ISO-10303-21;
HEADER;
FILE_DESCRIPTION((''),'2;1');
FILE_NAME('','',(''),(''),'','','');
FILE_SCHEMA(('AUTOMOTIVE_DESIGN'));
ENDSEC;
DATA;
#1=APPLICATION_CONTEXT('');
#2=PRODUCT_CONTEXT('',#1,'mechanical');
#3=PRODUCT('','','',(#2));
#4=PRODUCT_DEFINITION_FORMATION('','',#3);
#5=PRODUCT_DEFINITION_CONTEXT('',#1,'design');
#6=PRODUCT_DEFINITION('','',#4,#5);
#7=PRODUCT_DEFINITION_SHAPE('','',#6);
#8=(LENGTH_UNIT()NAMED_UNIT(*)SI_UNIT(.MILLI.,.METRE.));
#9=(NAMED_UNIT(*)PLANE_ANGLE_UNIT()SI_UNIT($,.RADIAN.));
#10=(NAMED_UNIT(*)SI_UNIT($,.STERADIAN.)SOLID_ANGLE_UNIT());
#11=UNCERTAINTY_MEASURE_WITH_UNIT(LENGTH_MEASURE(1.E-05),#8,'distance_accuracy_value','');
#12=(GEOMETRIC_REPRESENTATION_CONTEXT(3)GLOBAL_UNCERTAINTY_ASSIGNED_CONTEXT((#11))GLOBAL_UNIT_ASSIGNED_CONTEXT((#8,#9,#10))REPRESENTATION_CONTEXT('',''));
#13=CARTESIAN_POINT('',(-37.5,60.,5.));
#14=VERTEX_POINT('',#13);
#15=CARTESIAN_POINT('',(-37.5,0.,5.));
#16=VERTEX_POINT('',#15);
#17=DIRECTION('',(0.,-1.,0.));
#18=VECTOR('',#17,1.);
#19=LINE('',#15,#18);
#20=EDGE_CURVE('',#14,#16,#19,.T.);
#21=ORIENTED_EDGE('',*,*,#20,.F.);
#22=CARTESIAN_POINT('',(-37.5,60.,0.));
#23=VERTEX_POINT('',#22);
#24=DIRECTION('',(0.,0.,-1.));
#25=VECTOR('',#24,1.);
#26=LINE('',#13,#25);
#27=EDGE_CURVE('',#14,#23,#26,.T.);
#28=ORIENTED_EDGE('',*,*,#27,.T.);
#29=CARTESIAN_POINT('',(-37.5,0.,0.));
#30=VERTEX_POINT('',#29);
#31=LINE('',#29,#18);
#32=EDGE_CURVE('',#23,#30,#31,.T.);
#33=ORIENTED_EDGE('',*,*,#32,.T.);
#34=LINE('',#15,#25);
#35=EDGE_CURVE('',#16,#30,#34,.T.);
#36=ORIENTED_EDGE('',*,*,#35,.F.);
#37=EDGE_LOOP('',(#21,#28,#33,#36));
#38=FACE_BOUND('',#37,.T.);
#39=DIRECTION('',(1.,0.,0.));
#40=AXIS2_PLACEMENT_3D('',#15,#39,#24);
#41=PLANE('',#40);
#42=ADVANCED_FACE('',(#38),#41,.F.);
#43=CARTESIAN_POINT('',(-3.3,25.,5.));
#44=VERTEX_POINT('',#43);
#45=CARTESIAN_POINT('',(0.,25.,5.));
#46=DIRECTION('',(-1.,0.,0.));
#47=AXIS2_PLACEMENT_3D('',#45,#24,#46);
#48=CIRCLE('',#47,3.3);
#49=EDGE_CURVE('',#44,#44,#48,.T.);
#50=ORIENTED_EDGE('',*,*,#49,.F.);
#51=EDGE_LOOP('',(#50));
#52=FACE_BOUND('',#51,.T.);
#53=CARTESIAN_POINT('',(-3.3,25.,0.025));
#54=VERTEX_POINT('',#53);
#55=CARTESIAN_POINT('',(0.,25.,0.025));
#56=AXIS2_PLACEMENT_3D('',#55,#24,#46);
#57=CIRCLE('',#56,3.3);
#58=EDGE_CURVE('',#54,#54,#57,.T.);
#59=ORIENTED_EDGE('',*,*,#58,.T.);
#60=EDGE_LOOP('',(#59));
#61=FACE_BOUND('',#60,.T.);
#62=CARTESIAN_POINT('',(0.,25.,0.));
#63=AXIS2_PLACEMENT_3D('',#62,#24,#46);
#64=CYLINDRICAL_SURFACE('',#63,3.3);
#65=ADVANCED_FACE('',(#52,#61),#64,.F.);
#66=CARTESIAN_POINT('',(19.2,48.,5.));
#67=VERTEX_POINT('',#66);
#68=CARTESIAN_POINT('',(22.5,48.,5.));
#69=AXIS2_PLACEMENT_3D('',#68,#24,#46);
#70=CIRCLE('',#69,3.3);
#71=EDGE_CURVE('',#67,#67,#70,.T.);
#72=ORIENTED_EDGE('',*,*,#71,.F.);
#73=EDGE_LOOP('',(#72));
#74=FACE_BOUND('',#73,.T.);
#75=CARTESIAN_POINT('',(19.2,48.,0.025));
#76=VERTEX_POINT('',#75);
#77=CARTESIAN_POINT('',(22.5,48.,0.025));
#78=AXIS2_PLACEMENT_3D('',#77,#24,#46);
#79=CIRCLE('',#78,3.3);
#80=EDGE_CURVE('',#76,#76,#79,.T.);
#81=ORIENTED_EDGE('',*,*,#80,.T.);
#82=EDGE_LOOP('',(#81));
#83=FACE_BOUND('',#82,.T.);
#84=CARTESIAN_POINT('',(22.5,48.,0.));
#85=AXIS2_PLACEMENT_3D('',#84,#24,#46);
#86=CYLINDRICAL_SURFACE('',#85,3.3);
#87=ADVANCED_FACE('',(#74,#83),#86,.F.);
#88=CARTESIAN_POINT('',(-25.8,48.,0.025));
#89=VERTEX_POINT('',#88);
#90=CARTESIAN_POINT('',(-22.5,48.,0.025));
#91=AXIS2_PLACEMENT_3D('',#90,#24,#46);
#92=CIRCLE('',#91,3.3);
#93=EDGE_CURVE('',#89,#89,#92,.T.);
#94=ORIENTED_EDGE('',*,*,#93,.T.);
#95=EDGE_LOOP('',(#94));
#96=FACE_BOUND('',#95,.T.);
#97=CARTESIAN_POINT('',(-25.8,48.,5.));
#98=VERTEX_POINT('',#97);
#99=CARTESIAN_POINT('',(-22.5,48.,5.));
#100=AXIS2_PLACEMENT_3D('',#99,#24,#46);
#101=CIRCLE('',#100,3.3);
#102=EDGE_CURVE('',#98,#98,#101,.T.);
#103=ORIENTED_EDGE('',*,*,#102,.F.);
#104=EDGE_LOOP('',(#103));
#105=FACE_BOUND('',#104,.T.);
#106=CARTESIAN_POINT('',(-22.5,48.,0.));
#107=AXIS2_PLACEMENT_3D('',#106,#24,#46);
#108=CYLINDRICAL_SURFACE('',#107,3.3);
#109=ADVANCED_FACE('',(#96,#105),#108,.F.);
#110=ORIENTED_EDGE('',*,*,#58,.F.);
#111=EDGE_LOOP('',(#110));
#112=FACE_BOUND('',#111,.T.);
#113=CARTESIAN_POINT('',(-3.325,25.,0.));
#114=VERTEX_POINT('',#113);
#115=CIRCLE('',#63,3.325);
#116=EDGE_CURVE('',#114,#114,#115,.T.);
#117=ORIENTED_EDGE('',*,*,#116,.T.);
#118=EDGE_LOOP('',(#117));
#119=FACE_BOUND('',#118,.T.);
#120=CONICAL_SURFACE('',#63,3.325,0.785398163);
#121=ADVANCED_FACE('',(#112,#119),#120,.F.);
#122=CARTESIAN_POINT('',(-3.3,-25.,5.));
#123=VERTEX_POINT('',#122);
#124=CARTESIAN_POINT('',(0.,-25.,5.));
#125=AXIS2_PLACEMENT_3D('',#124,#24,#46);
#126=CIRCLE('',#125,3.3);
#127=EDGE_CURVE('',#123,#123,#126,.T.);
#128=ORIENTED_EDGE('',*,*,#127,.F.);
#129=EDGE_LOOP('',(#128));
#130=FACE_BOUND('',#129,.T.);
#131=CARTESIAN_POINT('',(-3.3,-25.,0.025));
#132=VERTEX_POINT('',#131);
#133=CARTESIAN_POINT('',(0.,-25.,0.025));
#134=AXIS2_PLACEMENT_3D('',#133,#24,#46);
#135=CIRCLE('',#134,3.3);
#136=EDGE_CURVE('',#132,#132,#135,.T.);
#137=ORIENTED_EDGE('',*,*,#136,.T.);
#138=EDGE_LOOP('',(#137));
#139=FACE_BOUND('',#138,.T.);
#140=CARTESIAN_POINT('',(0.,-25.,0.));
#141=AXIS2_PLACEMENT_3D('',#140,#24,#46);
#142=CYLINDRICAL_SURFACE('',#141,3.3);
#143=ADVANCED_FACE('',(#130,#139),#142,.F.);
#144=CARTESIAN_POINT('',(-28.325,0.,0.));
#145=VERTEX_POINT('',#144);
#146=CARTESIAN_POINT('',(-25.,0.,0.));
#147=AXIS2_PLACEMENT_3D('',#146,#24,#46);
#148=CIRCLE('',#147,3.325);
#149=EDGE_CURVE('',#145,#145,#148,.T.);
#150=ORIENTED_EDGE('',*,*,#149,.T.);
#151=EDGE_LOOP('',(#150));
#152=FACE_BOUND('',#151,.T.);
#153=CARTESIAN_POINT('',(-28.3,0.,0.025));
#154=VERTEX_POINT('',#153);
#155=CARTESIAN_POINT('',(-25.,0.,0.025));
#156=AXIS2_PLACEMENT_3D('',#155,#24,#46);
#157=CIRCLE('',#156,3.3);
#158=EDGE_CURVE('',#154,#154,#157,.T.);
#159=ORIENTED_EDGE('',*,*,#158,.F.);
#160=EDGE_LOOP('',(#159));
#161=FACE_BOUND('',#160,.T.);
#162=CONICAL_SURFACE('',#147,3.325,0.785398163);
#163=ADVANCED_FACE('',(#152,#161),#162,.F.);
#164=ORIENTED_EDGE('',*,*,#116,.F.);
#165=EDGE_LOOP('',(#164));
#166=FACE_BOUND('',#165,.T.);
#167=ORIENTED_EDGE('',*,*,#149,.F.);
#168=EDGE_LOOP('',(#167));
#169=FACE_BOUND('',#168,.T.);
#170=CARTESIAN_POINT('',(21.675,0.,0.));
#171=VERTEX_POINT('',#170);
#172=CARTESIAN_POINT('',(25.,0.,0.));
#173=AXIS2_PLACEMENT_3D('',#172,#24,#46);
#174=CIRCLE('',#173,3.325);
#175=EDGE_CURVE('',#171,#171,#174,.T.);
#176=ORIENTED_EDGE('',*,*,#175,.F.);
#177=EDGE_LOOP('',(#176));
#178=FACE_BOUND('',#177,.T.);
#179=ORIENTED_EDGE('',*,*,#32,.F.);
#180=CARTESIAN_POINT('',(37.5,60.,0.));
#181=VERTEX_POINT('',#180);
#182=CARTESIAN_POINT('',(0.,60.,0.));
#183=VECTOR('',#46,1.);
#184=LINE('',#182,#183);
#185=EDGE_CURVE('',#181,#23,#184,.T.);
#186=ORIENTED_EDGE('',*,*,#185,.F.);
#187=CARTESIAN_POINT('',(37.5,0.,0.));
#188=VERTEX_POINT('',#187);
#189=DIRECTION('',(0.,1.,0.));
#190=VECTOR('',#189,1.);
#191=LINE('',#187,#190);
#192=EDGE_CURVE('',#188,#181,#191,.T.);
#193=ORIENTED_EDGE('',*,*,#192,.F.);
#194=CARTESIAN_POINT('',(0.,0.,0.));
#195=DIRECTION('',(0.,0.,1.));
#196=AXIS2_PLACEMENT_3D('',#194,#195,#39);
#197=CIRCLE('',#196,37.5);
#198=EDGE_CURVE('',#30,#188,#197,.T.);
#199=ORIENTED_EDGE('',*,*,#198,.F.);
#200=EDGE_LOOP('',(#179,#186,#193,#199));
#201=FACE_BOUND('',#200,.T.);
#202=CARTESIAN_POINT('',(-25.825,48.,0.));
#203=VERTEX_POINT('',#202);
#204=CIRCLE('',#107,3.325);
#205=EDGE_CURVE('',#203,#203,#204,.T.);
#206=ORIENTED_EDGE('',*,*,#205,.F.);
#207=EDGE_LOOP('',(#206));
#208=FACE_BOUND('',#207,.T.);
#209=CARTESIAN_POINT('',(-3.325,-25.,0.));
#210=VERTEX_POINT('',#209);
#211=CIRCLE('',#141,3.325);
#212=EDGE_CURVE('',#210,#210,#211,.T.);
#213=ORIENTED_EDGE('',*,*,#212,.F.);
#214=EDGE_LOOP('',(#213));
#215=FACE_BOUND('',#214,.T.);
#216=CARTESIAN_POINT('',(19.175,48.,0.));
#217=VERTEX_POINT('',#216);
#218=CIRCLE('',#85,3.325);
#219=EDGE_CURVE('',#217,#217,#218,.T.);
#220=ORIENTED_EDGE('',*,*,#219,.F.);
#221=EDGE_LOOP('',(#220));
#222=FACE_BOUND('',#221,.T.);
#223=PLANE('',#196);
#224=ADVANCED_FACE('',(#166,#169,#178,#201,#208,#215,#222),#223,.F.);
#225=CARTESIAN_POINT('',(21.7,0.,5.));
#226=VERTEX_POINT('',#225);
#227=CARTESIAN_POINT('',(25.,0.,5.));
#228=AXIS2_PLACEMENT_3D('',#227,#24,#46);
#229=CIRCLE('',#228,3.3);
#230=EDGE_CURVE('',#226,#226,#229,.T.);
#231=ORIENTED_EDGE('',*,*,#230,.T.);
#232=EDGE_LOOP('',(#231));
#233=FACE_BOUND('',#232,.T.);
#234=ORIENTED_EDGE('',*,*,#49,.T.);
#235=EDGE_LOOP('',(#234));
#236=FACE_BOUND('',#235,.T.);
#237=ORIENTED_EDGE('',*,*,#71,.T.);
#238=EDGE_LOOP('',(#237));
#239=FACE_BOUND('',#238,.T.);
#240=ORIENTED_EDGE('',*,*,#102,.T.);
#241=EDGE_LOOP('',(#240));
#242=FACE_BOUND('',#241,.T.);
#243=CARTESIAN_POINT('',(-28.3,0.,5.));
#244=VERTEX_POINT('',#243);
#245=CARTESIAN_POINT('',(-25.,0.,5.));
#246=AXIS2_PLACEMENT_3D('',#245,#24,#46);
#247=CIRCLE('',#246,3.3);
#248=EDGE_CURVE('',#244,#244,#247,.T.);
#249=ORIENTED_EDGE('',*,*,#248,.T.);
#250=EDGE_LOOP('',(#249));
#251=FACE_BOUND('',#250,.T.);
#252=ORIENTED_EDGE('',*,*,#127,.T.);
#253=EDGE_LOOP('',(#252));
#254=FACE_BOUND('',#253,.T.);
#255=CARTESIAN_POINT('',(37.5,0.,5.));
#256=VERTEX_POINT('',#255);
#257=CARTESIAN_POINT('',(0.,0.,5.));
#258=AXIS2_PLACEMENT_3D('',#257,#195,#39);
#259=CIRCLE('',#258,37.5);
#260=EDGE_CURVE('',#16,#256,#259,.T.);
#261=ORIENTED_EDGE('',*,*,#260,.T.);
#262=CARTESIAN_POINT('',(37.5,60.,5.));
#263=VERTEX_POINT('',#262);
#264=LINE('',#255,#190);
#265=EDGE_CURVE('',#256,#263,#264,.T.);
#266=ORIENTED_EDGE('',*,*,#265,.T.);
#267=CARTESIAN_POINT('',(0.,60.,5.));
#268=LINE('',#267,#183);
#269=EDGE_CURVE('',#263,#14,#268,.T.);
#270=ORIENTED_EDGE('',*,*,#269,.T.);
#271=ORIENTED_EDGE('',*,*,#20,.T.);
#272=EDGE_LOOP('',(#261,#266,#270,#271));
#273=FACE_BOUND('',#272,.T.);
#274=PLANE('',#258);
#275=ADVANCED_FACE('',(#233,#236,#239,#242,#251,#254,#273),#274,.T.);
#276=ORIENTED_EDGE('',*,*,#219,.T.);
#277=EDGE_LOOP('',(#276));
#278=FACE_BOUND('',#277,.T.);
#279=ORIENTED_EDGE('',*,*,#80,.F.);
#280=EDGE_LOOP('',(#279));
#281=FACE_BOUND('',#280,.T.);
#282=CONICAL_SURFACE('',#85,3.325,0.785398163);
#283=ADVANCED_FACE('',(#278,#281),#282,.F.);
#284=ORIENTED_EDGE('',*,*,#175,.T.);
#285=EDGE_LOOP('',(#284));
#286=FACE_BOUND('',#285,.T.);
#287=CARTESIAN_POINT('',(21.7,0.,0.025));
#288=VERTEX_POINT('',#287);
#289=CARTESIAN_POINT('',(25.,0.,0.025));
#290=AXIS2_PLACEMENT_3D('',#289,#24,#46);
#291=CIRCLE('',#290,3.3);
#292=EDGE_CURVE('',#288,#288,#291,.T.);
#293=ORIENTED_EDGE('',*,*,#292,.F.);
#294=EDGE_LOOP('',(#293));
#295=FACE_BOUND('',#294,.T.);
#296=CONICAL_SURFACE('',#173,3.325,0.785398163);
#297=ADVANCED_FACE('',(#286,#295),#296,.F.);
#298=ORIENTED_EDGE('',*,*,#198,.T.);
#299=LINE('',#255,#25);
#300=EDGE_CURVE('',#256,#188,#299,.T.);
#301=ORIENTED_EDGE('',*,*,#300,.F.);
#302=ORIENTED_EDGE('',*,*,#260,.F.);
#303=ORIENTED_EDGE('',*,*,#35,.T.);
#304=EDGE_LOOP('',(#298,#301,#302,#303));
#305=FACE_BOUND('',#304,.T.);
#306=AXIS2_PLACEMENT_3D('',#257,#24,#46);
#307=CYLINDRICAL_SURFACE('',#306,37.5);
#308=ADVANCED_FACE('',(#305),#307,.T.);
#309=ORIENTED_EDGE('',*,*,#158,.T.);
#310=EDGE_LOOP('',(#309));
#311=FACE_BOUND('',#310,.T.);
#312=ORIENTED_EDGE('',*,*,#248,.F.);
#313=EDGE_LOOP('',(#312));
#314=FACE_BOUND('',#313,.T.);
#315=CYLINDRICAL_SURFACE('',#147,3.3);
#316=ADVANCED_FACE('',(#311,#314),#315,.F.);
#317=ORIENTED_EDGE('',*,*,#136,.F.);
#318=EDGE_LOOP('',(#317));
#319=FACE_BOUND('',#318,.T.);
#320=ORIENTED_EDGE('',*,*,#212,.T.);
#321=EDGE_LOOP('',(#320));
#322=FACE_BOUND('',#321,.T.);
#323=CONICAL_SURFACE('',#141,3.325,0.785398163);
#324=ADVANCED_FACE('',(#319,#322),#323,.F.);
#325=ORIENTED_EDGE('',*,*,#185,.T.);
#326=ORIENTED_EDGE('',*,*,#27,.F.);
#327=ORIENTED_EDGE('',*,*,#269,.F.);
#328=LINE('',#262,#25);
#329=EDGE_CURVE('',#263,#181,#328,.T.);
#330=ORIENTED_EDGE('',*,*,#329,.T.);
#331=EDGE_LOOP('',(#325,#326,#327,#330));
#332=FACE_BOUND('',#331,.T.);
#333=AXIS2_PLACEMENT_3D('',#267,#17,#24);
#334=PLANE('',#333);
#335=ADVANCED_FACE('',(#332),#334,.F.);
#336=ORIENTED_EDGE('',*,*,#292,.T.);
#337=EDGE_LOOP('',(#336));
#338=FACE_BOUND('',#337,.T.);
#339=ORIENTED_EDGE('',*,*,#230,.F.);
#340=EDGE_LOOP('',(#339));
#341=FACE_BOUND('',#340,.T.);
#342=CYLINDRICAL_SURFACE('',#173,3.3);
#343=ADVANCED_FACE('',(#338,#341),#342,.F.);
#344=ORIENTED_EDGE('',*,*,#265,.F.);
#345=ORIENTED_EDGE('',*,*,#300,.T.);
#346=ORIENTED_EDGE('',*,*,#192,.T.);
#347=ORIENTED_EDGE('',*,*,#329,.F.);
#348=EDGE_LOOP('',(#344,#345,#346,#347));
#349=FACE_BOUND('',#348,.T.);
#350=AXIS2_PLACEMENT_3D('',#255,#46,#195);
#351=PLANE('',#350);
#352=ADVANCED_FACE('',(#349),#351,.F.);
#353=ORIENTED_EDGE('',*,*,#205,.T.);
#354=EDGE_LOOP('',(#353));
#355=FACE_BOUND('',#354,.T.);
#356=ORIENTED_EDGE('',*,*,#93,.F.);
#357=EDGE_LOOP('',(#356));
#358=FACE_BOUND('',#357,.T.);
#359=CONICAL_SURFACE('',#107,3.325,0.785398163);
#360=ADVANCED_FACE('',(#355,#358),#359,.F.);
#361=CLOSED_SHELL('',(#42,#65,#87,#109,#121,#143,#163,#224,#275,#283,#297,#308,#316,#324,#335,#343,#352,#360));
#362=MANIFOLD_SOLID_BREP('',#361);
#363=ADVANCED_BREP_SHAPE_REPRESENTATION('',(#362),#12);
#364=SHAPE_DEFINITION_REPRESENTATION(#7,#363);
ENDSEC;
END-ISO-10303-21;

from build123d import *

# Parameters (mm, degrees)
BOSS_EXTRUDE1_DEPTH            = 5
M6_CLEARANCE_HOLE2_D           = 6.6
M6_CLEARANCE_HOLE2_CSINK_D     = 6.65
M6_CLEARANCE_HOLE2_CSINK_ANGLE = 90


with BuildPart() as part:
    # Sketch6 → Boss-Extrude1 (new body)
    with BuildSketch(Plane.XY):
        with BuildLine():
            Line((37.5, 0), (37.5, 60))
            Line((37.5, 60), (-37.5, 60))
            Line((-37.5, 60), (-37.5, 0))
            ThreePointArc((-37.5, 0), (0, -37.5), (37.5, 0))
        make_face()
    extrude(amount=BOSS_EXTRUDE1_DEPTH)

    # M6 Clearance Hole2 (through all)
    with Locations(Plane(origin=(0, 0, 0), x_dir=(-1, 0, 0), z_dir=(0, 0, -1))):
        with Locations((-22.5, 48), (22.5, 48), (0, 25), (25, 0), (0, -25), (-25, 0)):
            CounterSinkHole(M6_CLEARANCE_HOLE2_D / 2, M6_CLEARANCE_HOLE2_CSINK_D / 2, counter_sink_angle=M6_CLEARANCE_HOLE2_CSINK_ANGLE)


solid = part.part
